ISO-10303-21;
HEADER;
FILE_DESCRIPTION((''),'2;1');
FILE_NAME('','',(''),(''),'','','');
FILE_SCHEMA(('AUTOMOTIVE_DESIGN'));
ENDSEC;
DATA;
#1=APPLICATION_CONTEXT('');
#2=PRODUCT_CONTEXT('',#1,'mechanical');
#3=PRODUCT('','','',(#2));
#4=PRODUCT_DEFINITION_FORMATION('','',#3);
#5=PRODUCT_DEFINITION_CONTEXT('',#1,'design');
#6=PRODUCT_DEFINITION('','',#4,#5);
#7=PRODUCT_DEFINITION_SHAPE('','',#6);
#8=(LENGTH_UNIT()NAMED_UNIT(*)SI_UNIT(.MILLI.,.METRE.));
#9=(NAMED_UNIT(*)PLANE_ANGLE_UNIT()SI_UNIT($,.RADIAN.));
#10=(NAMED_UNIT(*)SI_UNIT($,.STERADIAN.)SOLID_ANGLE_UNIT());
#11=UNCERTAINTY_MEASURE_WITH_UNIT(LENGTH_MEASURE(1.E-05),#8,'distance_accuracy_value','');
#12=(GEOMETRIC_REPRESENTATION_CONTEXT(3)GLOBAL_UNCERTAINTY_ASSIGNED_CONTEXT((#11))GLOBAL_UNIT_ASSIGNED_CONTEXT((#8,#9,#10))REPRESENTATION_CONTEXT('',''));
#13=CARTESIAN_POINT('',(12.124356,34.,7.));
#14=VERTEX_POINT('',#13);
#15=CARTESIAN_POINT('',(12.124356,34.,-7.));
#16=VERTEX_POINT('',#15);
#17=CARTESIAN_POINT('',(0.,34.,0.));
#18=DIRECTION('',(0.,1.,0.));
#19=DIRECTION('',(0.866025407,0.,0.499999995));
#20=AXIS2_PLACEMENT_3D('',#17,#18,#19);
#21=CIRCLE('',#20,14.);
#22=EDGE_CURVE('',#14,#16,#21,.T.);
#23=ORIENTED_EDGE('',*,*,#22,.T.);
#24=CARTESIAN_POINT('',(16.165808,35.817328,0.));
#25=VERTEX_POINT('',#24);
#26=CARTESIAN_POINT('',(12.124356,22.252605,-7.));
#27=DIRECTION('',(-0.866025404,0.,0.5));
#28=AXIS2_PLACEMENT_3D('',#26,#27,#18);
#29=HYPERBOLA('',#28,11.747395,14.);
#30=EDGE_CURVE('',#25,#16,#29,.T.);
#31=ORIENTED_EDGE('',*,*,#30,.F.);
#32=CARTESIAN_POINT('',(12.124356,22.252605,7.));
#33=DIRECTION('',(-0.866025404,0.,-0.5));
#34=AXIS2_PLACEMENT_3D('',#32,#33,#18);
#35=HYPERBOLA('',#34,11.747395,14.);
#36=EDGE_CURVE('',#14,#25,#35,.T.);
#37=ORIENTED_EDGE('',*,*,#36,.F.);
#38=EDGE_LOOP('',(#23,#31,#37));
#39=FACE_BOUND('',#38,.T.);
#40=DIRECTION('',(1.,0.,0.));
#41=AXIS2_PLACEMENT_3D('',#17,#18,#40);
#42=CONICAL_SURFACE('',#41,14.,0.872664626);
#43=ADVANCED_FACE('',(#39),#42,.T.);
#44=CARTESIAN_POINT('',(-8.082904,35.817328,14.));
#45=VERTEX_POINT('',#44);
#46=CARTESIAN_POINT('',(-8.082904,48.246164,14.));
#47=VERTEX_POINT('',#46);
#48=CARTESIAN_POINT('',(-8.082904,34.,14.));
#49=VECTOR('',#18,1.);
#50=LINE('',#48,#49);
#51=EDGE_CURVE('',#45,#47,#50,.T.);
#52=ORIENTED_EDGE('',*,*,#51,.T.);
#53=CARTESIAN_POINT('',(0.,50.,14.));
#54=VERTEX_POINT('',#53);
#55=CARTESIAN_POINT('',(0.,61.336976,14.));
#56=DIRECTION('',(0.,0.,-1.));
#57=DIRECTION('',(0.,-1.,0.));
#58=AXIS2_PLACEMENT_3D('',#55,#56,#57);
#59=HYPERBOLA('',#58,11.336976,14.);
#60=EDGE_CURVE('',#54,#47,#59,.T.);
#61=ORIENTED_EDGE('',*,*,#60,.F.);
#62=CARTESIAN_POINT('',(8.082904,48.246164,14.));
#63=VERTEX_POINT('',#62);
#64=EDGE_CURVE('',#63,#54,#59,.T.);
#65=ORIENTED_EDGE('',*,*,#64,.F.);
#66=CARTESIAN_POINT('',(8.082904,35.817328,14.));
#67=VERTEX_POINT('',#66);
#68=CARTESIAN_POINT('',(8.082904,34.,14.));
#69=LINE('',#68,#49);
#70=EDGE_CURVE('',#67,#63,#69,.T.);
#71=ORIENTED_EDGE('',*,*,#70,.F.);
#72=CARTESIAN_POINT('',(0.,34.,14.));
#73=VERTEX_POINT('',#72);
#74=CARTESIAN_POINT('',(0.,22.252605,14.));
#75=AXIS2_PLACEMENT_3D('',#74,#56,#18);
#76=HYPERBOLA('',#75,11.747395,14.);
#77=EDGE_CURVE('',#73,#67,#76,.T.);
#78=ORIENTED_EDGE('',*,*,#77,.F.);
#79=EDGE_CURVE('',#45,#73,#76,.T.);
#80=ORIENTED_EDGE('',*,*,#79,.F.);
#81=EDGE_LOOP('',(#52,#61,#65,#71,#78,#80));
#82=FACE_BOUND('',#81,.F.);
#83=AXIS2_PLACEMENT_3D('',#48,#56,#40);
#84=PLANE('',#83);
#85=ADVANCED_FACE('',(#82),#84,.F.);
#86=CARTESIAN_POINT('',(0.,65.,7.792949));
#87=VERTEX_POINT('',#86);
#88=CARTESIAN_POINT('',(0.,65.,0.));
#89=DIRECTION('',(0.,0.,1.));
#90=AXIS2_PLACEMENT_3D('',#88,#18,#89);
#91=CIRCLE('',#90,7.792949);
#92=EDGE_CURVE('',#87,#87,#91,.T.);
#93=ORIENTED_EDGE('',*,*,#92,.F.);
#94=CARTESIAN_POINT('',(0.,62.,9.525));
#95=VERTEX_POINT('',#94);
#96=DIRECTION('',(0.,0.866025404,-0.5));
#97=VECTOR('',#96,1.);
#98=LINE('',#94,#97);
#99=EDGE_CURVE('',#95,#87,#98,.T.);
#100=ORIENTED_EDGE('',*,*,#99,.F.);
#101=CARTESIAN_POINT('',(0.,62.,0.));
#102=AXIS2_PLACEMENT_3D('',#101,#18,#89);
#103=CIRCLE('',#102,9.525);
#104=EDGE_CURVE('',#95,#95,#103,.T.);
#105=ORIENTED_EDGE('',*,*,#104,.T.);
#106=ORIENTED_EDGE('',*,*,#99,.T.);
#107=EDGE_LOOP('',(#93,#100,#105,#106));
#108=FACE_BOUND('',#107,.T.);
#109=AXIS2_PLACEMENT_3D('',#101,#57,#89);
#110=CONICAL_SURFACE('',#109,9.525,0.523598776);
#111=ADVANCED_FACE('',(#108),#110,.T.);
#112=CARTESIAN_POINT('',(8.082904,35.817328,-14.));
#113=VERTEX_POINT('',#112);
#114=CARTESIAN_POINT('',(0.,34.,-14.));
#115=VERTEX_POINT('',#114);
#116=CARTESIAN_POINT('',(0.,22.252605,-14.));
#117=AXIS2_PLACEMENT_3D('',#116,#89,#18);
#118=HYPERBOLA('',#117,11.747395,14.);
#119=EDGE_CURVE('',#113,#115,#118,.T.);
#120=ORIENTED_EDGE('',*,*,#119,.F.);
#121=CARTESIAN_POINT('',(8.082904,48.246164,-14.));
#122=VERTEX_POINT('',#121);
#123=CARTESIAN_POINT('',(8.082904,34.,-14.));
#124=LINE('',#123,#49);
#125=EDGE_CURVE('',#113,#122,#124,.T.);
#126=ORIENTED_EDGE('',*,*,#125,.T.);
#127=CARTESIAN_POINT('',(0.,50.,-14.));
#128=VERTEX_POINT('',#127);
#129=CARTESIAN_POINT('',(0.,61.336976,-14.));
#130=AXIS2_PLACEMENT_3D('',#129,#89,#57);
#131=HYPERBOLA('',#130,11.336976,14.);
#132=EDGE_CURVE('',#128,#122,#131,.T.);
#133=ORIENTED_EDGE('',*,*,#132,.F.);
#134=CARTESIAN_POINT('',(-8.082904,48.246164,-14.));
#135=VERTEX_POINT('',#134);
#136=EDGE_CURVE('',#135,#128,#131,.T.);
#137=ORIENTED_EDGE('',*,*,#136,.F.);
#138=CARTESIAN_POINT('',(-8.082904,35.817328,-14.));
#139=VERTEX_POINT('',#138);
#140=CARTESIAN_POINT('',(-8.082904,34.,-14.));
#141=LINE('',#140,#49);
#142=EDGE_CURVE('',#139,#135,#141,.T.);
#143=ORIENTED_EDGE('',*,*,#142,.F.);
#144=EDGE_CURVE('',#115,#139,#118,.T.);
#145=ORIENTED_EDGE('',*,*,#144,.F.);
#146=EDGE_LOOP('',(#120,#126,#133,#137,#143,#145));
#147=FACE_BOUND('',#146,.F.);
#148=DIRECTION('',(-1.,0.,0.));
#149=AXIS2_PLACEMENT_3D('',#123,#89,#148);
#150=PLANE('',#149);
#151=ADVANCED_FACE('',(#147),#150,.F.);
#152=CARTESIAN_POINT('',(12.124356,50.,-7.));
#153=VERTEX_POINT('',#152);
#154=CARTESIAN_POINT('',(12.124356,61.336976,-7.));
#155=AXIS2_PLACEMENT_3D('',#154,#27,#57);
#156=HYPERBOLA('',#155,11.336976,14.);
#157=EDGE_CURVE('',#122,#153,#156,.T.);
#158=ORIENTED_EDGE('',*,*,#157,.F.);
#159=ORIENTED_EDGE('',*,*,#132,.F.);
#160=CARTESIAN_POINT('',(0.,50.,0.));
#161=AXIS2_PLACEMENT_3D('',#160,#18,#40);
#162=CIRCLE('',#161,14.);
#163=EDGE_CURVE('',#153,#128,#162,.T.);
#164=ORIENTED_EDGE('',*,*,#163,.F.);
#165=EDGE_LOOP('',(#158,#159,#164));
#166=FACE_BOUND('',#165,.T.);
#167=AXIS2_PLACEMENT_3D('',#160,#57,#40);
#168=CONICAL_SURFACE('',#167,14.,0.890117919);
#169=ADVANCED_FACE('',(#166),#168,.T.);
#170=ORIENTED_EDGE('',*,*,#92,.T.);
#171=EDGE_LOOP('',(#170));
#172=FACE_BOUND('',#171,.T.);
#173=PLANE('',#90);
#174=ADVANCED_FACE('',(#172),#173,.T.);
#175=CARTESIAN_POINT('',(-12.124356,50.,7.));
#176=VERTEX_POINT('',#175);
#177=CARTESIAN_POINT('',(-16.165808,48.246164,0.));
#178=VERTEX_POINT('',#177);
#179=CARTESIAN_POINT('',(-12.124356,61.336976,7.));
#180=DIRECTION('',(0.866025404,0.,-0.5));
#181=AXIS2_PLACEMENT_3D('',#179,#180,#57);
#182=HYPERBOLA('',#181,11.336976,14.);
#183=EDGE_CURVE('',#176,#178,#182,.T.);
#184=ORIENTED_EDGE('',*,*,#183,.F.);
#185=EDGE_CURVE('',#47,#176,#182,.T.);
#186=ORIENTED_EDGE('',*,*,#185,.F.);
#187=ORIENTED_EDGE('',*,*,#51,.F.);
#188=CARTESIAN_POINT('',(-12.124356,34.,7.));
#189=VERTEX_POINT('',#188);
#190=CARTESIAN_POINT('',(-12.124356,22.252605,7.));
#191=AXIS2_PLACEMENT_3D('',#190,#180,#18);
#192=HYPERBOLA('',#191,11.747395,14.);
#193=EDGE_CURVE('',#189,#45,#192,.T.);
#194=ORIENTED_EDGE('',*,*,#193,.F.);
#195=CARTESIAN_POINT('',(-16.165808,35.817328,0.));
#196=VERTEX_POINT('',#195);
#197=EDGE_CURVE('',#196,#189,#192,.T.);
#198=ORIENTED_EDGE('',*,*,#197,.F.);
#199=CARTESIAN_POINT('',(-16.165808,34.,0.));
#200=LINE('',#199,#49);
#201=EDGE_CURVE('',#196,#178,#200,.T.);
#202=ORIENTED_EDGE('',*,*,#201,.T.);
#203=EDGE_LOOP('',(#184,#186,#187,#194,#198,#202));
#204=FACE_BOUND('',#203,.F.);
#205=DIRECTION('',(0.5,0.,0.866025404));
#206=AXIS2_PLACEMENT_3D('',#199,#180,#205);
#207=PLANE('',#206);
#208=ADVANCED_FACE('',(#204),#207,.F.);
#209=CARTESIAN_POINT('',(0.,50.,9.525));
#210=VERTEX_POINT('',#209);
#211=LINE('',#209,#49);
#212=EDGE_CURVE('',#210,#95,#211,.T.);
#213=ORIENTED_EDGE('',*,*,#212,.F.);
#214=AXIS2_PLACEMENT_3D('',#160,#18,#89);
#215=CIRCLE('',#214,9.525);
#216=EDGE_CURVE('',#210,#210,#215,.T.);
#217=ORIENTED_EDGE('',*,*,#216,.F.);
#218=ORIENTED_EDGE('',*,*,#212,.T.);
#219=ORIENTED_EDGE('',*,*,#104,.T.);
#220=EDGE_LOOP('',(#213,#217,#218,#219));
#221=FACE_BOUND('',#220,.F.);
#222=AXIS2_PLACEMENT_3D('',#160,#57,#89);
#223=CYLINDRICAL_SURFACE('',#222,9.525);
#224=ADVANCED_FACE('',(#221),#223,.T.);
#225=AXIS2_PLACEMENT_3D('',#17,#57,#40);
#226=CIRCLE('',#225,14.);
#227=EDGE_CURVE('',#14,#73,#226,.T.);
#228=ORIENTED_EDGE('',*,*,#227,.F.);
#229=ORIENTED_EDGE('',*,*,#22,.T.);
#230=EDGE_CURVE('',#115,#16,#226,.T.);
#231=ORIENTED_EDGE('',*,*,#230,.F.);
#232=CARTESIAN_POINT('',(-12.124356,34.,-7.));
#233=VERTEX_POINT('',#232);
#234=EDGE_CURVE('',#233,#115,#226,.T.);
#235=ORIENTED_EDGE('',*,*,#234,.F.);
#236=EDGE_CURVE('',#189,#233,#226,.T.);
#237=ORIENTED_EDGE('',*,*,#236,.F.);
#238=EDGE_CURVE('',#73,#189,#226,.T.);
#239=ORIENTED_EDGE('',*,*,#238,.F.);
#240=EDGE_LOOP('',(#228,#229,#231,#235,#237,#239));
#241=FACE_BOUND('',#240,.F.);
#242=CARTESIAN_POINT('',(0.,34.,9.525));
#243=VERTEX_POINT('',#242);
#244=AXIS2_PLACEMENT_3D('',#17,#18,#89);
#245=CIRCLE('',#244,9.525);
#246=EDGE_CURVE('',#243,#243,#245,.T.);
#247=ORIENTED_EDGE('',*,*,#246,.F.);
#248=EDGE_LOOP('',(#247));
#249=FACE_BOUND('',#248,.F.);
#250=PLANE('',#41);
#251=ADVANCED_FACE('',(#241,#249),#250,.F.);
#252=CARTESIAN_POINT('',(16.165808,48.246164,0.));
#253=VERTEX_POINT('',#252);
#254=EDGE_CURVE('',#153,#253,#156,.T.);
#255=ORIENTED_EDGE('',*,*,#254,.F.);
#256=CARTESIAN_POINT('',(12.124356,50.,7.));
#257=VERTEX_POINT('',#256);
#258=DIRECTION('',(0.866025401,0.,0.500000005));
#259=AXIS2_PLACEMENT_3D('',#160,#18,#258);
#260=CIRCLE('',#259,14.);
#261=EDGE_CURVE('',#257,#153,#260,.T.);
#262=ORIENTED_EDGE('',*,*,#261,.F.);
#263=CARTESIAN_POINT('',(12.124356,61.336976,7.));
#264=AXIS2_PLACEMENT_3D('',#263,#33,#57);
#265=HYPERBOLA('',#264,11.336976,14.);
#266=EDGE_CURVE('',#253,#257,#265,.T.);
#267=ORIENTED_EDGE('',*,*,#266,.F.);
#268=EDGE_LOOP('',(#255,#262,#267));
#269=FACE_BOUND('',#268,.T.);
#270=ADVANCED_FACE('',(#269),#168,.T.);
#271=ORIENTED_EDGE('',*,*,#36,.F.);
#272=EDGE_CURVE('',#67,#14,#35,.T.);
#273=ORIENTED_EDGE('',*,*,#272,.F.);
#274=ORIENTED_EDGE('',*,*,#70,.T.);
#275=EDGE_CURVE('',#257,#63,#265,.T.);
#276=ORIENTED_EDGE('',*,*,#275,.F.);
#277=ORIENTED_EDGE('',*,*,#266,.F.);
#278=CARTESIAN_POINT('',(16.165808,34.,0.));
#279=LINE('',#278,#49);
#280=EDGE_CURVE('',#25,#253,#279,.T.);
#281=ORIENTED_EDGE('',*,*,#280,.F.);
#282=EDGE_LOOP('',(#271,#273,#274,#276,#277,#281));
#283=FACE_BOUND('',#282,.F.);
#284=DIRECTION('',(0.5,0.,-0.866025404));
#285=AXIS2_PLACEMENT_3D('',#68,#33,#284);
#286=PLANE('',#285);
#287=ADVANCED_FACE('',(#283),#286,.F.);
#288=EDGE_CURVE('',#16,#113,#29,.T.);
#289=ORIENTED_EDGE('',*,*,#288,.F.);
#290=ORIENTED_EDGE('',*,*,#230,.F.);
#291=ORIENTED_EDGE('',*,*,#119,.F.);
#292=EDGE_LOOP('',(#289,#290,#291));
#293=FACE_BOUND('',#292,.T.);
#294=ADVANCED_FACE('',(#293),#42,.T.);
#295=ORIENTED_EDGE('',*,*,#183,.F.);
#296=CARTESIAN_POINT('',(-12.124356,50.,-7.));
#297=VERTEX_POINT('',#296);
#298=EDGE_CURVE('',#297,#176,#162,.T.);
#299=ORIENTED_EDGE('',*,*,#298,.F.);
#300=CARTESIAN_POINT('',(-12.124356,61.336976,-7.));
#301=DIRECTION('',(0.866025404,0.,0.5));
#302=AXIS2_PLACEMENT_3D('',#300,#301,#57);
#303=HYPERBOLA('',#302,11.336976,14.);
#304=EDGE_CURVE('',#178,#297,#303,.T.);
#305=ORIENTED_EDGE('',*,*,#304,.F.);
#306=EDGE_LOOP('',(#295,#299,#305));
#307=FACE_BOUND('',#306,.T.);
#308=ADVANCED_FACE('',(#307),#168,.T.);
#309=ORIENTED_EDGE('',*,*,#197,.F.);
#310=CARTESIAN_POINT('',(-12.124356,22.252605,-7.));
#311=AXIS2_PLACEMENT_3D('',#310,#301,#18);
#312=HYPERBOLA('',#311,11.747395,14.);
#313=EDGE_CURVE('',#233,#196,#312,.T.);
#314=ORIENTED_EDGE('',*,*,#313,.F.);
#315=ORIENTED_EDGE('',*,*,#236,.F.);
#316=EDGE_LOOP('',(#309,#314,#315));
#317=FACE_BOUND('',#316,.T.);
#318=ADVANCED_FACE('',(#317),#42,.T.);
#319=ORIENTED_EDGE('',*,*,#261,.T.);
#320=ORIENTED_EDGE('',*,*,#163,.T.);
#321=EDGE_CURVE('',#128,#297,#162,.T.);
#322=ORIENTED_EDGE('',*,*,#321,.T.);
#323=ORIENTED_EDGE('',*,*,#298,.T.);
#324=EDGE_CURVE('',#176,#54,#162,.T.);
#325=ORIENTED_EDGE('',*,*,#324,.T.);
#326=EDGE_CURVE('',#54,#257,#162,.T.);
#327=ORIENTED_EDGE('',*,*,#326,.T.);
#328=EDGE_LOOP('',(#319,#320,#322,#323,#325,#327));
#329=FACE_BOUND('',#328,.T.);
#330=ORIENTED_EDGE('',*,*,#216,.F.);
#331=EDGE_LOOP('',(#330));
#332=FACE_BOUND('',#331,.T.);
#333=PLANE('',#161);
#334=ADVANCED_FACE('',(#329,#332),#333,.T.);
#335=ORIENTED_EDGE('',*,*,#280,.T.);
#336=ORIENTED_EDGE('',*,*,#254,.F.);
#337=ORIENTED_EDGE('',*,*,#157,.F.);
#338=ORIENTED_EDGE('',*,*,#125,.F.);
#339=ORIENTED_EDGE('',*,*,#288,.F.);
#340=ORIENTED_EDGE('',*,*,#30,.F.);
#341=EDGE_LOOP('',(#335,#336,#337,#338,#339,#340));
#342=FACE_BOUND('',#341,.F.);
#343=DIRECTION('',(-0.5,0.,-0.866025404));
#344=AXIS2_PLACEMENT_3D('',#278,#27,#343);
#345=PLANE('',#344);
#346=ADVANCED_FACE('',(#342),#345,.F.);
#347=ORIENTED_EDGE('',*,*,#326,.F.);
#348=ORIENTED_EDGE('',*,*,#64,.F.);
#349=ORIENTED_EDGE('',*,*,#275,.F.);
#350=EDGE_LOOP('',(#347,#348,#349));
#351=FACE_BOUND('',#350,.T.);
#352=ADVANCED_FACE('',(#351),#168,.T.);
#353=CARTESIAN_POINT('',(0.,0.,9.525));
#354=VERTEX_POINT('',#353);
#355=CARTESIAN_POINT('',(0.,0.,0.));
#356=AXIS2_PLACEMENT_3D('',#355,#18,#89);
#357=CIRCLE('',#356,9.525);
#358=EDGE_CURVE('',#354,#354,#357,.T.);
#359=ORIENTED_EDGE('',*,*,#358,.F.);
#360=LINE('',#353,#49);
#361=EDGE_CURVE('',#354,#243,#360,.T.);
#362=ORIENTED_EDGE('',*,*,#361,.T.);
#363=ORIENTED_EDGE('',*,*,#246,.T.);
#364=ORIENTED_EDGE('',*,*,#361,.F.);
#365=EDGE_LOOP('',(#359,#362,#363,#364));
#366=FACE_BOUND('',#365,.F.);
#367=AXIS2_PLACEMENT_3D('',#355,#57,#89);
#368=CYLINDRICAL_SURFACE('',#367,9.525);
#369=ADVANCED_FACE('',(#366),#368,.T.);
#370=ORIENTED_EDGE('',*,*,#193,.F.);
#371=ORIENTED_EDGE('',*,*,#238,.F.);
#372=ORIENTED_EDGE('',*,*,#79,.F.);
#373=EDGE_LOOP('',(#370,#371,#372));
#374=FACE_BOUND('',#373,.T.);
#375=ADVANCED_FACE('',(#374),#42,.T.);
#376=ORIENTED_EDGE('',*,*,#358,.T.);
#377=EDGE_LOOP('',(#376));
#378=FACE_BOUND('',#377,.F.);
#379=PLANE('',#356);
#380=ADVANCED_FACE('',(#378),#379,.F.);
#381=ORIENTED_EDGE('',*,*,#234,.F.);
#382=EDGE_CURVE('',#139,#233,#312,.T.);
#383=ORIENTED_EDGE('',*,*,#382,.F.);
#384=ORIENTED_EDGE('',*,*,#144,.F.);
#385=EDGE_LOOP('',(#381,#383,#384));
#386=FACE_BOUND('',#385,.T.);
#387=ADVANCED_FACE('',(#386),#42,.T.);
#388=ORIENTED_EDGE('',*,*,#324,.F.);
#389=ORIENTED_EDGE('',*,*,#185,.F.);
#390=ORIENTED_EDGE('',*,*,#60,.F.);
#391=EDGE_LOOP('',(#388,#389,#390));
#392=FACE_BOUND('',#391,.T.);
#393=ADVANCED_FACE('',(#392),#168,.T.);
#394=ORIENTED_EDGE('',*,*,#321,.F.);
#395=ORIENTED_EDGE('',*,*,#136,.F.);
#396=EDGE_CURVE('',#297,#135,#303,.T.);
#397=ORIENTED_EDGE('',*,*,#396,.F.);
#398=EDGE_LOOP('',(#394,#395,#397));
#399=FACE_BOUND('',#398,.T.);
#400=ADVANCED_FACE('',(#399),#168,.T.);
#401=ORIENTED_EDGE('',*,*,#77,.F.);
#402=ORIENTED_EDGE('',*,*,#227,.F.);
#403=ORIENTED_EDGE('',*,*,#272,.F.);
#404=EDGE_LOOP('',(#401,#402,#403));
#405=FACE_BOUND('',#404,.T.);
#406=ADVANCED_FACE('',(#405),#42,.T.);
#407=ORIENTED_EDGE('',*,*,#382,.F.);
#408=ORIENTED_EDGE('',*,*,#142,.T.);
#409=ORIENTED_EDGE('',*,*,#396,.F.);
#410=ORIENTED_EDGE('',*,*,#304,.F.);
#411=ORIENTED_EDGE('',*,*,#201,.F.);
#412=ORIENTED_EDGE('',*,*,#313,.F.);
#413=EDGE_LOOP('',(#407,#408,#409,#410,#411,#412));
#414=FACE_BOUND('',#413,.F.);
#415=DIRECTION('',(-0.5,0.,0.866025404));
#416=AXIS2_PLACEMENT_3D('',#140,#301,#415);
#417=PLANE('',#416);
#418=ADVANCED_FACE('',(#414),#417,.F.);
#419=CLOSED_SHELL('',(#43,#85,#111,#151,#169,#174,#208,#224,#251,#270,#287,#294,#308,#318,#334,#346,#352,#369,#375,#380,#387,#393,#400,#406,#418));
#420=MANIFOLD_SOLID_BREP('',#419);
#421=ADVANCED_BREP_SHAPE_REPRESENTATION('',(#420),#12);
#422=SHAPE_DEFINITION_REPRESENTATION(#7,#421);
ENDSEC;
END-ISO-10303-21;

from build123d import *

# Parameters (mm, degrees)
CROQUIS1_R              = 9.525
SALIENTE_EXTRUIR1_DEPTH = 50
SALIENTE_EXTRUIR2_START = -16
CROQUIS3_R              = 9.525
SALIENTE_EXTRUIR2_DEPTH = 16
CROQUIS4_R              = 9.525
SALIENTE_EXTRUIR3_DEPTH = 15
CHAFL_N1_SIZE           = 3
CHAFL_N1_SIZE2          = 1.732050808
CROQUIS5_R              = 52.693762875
CROQUIS5_R_2            = 14
CORTAR_EXTRUIR1_DEPTH   = 15
CORTAR_EXTRUIR1_DRAFT   = -51
CROQUIS6_R              = 45.15885801
CROQUIS6_R_2            = 14
CORTAR_EXTRUIR2_DEPTH   = 15
CORTAR_EXTRUIR2_DRAFT   = -50


with BuildPart() as part:
    # Croquis1 → Saliente-Extruir1 (new body)
    with BuildSketch(Plane(origin=(0, 0, 0), x_dir=(1, 0, 0), z_dir=(0, 1, 0))):
        with Locations(Location((0, 0, 0), (0, 0, 270))):
            Circle(CROQUIS1_R)
    extrude(amount=SALIENTE_EXTRUIR1_DEPTH)

    # Croquis3 → Saliente-Extruir2 (add)
    with BuildSketch(Plane(origin=(0, 50, 0), x_dir=(1, 0, 0), z_dir=(0, 1, 0)).offset(SALIENTE_EXTRUIR2_START)):
        Polygon((16.165807537, 0), (8.082903769, 14), (-8.082903769, 14), (-16.165807537, 0), (-8.082903769, -14), (8.082903769, -14), align=None)
        with Locations(Location((0, 0, 0), (0, 0, 270))):
            Circle(CROQUIS3_R, mode=Mode.SUBTRACT)
    extrude(amount=SALIENTE_EXTRUIR2_DEPTH)

    # Croquis4 → Saliente-Extruir3 (add)
    with BuildSketch(Plane(origin=(0, 50, 0), x_dir=(1, 0, 0), z_dir=(0, 1, 0))):
        with Locations(Location((0, 0, 0), (0, 0, 270))):
            Circle(CROQUIS4_R)
    extrude(amount=SALIENTE_EXTRUIR3_DEPTH)

    # Chaflán1
    chafl_n1_edges = [part.edges().sort_by_distance(p)[0] for p in [
        (0, 65, -9.525),
    ]]
    chafl_n1_side = [part.faces().sort_by_distance(p)[0] for p in [
        (0, 57.5, -9.525),
    ]]
    chamfer(chafl_n1_edges, length=CHAFL_N1_SIZE, length2=CHAFL_N1_SIZE2, reference=chafl_n1_side[0])


with BuildPart() as cortar_extruir1_tool:
    # Croquis5 → Cortar-Extruir1 (with draft: the straight prism first)
    with BuildSketch(Plane(origin=(0, 50, 0), x_dir=(1, 0, 0), z_dir=(0, 1, 0))):
        Circle(CROQUIS5_R)
        Circle(CROQUIS5_R_2, mode=Mode.SUBTRACT)
    extrude(amount=-CORTAR_EXTRUIR1_DEPTH)
    # Cortar-Extruir1: the draft: its side faces are tilted about the plane it starts from
    cortar_extruir1_sides = [cortar_extruir1_tool.faces().sort_by_distance(p)[0] for p in [
        (-52.693762875, 42.5, 0),
        (-14, 42.5, 0),
    ]]
    draft(cortar_extruir1_sides, Plane(origin=(0, 50, 0), x_dir=(1, 0, 0), z_dir=(0, 1, 0)), CORTAR_EXTRUIR1_DRAFT)


with BuildPart() as part_1:
    add(part.part)

    # Cortar-Extruir1: cut by cortar_extruir1_tool
    add(cortar_extruir1_tool.part, mode=Mode.SUBTRACT)


with BuildPart() as cortar_extruir2_tool:
    # Croquis6 → Cortar-Extruir2 (with draft: the straight prism first)
    with BuildSketch(Plane.XZ.offset(-34)):
        Circle(CROQUIS6_R)
        Circle(CROQUIS6_R_2, mode=Mode.SUBTRACT)
    extrude(amount=-CORTAR_EXTRUIR2_DEPTH)
    # Cortar-Extruir2: the draft: its side faces are tilted about the plane it starts from
    cortar_extruir2_sides = [cortar_extruir2_tool.faces().sort_by_distance(p)[0] for p in [
        (-45.15885801, 41.5, 0),
        (-14, 41.5, 0),
    ]]
    draft(cortar_extruir2_sides, Plane.XZ.offset(-34), CORTAR_EXTRUIR2_DRAFT)


with BuildPart() as part_2:
    add(part_1.part)

    # Cortar-Extruir2: cut by cortar_extruir2_tool
    add(cortar_extruir2_tool.part, mode=Mode.SUBTRACT)


solid = part_2.part
